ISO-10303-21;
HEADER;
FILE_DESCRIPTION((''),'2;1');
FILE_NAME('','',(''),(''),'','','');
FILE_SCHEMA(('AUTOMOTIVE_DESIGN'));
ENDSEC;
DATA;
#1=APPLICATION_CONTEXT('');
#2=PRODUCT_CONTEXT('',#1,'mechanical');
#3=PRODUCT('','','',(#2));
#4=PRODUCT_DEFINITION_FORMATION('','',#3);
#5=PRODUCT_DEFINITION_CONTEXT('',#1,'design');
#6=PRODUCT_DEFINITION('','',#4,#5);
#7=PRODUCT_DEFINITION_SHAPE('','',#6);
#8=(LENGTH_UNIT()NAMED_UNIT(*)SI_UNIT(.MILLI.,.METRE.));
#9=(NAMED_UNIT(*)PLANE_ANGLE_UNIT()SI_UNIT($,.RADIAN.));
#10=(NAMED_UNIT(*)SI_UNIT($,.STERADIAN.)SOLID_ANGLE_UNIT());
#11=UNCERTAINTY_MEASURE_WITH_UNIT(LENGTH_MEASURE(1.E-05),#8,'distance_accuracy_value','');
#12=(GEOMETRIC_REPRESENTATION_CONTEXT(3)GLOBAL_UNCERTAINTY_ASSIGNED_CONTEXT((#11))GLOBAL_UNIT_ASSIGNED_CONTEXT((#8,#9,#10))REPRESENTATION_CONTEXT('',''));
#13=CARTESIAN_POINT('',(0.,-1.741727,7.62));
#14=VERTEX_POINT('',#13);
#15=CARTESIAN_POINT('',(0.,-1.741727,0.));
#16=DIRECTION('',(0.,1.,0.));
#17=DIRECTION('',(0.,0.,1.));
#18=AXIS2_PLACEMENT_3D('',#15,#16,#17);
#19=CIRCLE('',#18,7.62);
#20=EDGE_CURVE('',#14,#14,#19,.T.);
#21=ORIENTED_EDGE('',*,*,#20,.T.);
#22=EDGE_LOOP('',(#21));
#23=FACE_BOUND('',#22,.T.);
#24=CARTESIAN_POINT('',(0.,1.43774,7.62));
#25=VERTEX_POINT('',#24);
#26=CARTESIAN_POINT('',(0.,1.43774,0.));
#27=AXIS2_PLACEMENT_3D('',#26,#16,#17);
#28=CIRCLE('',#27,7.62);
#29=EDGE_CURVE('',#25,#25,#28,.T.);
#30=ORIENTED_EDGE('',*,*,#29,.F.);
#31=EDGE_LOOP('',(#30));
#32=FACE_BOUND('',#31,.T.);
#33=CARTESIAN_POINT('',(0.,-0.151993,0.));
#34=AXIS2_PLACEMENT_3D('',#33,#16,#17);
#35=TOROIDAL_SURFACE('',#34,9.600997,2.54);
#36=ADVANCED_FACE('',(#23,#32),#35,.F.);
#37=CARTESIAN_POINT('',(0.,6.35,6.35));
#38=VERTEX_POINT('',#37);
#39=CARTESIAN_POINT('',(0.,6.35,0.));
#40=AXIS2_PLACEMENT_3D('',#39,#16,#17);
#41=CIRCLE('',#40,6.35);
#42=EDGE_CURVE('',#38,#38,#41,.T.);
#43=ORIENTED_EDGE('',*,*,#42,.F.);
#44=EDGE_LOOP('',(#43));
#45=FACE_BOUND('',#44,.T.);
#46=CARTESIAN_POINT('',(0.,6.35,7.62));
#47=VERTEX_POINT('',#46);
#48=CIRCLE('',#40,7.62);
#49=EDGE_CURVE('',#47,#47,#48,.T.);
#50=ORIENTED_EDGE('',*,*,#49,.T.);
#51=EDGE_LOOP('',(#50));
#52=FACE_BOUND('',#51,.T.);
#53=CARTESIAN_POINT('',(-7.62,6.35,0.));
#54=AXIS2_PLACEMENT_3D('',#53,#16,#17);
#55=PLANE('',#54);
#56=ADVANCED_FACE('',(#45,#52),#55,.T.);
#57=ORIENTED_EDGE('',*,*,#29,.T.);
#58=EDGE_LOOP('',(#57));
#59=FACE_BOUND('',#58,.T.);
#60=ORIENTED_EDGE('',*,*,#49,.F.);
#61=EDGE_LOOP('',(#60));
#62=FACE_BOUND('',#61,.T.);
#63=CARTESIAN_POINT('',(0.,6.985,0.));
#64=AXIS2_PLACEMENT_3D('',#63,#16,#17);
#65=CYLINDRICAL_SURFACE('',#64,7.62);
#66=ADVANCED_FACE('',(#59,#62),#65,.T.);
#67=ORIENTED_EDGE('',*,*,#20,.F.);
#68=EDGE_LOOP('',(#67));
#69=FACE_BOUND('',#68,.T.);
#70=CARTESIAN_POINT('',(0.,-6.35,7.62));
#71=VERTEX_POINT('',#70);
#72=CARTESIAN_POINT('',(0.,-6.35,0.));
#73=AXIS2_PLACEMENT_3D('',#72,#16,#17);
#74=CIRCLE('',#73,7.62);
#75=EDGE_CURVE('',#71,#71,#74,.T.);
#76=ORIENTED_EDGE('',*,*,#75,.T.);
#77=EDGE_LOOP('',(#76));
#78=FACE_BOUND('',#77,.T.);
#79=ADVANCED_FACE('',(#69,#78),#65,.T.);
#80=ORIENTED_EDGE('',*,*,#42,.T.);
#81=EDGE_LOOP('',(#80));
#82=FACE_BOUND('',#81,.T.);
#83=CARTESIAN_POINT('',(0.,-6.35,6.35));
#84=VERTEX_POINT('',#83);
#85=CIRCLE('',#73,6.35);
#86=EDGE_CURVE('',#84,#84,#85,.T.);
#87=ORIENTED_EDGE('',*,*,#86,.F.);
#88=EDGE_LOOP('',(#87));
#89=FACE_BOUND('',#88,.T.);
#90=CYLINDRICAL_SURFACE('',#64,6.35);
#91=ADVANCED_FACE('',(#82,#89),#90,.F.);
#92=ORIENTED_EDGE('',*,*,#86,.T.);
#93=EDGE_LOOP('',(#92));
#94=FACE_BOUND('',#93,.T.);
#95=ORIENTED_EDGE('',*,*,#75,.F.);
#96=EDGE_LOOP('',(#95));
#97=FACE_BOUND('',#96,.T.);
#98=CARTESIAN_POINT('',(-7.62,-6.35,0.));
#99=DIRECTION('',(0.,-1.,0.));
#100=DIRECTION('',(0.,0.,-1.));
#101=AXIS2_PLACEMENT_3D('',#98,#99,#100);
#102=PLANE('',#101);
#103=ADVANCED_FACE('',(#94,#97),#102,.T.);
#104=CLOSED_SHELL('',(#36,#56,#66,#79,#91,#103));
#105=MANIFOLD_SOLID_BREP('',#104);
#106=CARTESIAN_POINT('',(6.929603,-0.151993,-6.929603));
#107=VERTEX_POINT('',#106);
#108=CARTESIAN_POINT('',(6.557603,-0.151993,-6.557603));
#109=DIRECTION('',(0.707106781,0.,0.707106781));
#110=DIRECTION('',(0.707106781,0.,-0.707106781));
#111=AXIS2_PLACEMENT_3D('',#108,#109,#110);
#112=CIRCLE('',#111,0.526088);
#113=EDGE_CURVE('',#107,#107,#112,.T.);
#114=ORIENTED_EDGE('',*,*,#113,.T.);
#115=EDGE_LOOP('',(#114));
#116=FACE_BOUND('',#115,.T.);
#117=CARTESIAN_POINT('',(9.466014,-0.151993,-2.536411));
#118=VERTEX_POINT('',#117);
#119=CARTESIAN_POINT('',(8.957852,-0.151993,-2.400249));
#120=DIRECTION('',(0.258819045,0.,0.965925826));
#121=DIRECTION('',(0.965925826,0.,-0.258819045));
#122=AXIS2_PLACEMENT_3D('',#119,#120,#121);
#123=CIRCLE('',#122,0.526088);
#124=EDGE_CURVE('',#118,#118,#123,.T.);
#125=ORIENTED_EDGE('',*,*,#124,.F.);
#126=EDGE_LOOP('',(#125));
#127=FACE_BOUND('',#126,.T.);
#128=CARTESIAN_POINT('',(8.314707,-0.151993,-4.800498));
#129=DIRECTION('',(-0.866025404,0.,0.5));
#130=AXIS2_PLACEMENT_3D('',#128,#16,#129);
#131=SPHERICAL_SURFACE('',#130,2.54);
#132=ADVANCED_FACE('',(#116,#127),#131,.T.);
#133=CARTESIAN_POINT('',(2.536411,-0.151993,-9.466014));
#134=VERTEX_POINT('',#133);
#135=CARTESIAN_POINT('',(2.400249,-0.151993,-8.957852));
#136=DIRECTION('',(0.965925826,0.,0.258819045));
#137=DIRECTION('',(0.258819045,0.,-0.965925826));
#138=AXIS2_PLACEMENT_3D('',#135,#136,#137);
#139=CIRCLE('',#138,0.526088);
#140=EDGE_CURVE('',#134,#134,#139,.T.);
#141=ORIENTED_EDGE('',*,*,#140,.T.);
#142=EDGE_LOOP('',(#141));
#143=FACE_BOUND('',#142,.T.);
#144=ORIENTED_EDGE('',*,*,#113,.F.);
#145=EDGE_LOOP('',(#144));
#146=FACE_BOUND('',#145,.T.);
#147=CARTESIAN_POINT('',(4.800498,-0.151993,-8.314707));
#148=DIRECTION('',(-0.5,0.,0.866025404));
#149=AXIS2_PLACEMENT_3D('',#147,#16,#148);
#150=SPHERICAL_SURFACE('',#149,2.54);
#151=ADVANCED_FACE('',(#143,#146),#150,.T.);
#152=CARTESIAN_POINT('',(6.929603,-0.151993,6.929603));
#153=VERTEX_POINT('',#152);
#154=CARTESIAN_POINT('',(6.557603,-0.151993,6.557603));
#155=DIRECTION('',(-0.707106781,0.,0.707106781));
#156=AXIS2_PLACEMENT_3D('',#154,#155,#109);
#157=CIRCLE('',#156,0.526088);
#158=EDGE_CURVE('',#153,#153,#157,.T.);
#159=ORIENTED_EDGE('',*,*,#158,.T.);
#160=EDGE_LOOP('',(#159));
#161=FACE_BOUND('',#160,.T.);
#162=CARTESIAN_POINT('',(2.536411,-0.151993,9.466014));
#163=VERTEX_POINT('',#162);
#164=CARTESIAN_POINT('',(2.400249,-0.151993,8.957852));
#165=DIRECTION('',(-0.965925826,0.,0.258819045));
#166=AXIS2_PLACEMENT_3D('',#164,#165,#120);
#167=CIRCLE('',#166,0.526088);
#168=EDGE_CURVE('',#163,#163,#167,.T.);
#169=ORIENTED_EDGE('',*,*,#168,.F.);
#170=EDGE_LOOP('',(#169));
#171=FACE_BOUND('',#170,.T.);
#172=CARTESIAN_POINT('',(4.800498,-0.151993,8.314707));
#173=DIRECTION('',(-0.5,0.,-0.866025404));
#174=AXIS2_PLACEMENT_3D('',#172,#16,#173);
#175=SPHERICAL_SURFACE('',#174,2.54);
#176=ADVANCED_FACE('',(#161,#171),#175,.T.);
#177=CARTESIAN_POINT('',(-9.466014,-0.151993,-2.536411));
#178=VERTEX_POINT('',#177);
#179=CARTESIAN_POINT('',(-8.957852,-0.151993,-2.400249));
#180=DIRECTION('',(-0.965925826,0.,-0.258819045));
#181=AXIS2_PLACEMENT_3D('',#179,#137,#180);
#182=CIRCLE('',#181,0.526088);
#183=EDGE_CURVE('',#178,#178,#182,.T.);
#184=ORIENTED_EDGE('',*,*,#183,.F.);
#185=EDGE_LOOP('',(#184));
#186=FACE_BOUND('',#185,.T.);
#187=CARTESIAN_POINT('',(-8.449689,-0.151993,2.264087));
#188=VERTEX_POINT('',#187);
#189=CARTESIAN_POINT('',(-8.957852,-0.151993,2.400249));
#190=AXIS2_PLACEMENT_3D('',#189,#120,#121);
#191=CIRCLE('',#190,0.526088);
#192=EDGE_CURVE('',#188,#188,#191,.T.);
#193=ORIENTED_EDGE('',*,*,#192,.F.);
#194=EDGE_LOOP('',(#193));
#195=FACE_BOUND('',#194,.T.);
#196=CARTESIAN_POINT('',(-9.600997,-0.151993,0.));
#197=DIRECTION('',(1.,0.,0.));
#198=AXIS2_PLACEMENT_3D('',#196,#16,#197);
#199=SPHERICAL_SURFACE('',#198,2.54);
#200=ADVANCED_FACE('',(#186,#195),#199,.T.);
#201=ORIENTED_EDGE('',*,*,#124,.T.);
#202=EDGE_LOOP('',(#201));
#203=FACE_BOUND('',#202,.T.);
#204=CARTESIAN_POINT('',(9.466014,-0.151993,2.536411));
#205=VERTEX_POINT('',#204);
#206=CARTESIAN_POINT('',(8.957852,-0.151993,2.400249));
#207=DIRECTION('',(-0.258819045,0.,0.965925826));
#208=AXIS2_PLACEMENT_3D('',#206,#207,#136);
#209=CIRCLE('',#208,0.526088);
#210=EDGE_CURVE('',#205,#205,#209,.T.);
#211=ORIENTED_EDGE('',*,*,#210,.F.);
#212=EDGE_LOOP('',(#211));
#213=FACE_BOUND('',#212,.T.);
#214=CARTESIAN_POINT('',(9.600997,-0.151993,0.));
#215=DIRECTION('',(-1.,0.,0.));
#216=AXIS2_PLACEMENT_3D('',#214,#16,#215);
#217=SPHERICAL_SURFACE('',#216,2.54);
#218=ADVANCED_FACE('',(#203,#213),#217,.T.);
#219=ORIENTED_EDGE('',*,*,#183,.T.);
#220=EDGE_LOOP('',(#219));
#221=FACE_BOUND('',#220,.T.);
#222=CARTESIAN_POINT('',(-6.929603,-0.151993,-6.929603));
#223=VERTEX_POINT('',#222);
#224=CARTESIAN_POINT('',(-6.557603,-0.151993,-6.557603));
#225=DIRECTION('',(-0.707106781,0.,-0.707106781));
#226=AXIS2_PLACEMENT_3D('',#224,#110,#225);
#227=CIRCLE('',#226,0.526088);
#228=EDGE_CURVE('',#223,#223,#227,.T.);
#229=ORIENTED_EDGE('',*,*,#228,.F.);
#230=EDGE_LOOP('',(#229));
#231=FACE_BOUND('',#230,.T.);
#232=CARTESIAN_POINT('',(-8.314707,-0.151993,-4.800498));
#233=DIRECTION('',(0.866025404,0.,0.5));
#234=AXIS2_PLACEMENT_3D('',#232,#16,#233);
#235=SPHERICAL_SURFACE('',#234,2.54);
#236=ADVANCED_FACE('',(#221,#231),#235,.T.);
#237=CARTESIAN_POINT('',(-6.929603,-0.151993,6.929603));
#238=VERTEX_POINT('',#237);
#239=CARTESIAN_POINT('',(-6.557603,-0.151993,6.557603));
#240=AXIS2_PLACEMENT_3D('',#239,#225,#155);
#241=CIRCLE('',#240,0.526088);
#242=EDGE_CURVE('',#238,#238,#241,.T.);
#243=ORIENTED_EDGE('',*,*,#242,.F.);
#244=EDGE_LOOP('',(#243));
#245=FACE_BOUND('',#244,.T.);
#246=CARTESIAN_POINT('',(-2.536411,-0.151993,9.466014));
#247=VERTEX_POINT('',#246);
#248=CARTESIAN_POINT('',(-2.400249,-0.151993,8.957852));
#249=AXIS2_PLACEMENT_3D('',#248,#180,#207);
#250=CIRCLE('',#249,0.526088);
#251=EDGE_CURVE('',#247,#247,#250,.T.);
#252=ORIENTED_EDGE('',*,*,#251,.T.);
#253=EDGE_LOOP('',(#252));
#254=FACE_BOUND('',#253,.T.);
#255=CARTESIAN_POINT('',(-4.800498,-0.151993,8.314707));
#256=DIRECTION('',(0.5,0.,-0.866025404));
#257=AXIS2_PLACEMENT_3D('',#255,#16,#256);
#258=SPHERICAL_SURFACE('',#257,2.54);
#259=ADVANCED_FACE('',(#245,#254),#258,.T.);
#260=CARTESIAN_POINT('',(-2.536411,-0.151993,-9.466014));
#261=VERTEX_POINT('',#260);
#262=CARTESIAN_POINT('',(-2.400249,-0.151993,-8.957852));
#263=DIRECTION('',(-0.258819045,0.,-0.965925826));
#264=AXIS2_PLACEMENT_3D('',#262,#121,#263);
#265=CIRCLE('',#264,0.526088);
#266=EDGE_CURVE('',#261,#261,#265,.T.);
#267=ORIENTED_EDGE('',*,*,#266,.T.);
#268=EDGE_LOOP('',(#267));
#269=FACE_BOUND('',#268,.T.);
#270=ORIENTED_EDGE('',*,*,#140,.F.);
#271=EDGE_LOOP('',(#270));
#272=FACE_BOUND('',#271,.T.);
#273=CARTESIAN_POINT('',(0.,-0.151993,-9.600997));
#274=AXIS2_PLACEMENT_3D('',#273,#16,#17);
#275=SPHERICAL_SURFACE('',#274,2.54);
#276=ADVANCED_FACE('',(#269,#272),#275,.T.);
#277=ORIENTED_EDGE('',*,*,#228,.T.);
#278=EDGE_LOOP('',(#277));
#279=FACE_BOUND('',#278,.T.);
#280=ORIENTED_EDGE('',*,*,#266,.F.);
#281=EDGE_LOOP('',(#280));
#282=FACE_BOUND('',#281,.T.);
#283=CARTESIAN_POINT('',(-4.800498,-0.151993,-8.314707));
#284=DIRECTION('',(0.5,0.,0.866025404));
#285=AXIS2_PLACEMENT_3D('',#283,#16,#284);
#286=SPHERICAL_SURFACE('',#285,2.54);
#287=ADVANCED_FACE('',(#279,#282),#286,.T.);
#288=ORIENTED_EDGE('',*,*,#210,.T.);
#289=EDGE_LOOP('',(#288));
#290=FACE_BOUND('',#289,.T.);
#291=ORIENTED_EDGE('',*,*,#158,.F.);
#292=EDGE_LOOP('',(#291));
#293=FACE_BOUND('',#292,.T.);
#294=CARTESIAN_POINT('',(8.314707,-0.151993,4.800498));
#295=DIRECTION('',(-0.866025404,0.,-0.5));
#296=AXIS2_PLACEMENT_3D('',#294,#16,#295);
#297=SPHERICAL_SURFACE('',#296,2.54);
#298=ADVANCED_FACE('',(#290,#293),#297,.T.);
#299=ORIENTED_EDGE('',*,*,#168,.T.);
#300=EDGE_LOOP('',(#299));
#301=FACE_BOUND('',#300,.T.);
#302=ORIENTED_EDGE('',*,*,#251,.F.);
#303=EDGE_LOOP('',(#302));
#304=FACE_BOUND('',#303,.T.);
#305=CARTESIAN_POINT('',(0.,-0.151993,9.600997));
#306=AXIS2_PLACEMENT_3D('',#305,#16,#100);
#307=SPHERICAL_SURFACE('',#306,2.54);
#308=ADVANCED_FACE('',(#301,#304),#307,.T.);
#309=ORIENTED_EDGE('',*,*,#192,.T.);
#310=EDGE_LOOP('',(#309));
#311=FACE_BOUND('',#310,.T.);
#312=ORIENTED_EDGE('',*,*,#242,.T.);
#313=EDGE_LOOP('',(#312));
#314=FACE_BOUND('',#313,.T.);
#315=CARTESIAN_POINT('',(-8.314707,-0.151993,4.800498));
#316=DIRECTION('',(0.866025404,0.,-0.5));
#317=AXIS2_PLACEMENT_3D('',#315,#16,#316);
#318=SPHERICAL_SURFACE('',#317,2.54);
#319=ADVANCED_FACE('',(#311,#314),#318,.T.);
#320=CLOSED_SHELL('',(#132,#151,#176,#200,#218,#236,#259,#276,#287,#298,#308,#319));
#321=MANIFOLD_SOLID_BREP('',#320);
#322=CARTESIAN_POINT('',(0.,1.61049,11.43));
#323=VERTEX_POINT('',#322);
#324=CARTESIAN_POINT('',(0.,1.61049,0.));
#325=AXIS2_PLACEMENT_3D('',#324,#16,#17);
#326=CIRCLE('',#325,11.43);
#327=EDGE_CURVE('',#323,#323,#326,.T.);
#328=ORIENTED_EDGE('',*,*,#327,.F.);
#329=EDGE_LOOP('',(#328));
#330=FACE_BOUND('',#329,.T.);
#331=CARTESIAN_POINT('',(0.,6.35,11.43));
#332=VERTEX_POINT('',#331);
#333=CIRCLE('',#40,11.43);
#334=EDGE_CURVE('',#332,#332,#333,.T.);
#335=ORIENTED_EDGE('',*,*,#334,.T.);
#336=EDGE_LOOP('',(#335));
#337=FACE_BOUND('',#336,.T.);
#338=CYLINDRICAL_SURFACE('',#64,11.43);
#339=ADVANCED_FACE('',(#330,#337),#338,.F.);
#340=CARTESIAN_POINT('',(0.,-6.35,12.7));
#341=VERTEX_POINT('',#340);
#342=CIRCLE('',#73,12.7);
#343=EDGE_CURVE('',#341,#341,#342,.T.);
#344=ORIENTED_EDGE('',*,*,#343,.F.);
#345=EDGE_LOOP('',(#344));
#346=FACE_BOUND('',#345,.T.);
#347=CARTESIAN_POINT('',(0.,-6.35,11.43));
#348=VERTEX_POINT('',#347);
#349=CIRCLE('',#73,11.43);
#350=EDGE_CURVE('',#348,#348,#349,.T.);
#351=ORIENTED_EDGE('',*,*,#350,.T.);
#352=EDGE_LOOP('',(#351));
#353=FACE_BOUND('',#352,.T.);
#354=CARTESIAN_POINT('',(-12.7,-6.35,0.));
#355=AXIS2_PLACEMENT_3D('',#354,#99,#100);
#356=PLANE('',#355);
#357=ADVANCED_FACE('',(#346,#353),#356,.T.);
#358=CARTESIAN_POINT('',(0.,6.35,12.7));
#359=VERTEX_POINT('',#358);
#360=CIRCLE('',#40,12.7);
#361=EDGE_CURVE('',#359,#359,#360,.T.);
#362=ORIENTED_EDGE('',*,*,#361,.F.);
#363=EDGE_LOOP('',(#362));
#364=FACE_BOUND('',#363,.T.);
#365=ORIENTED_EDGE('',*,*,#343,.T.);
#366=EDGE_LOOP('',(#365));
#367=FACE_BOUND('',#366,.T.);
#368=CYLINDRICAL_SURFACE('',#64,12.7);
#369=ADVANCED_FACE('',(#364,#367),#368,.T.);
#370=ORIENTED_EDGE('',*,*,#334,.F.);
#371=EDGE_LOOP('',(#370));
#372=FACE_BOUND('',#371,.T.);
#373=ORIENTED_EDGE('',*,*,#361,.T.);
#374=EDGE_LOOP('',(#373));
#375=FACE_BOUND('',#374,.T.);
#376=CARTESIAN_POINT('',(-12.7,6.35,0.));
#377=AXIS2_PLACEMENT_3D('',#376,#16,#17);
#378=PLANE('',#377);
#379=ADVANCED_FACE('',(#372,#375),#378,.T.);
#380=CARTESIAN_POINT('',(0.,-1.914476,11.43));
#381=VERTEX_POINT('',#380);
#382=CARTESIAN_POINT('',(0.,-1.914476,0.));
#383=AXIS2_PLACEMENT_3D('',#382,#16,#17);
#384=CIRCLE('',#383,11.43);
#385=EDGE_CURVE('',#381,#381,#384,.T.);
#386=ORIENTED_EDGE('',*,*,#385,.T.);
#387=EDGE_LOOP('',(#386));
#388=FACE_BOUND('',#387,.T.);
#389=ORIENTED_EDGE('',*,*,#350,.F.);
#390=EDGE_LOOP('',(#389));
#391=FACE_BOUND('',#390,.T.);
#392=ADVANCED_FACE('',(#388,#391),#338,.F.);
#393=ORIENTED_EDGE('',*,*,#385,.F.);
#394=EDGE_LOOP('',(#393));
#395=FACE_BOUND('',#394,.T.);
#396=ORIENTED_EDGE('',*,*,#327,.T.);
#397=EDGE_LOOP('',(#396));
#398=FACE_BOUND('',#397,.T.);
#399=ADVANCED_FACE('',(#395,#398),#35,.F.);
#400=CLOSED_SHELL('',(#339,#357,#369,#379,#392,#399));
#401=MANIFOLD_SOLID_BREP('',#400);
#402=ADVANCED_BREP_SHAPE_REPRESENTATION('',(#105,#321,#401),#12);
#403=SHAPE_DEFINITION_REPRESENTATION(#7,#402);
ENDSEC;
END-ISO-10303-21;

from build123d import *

# Parameters (mm, degrees)
CIRPATTERN3_COUNT = 12


with BuildPart() as part:
    # Sketch2 → Revolve1 (revolve)
    with BuildSketch(Plane.XY):
        with BuildLine():
            Line((-9.600996531, 2.388006937), (-9.600996531, -2.691993063))
            ThreePointArc((-9.600996531, -2.691993063), (-7.060996531, -0.151993063), (-9.600996531, 2.388006937))
        make_face()
    revolve1 = revolve(axis=Axis((-9.600996531, 2.388006937, 0), (0, -1, 0)))

    # CirPattern3: Revolve1 ×12 about axis
    cirpattern3_axis = Axis((0, 0, 0), (0, 1, 0))
    for i in range(1, CIRPATTERN3_COUNT):
        add(revolve1.rotate(cirpattern3_axis, i * 360 / CIRPATTERN3_COUNT))


with BuildPart() as body_2:
    # Sketch1 → Revolve2 (revolve)
    with BuildSketch(Plane.XY):
        with BuildLine():
            Line((-7.62, 6.35), (-6.35, 6.35))
            Line((-6.35, 6.35), (-6.35, -6.35))
            Line((-6.35, -6.35), (-7.62, -6.35))
            Line((-7.62, -6.35), (-7.62, -1.741726607))
            ThreePointArc((-7.62, -1.741726607), (-7.060996531, -0.151993063), (-7.62, 1.437740482))
            Line((-7.62, 1.437740482), (-7.62, 6.35))
        make_face()
        with BuildLine():
            Line((-12.7, 6.35), (-11.43, 6.35))
            Line((-11.43, 6.35), (-11.43, 1.610489933))
            ThreePointArc((-11.43, 1.610489933), (-12.140996531, -0.151993063), (-11.43, -1.914476059))
            Line((-11.43, -1.914476059), (-11.43, -6.35))
            Line((-11.43, -6.35), (-12.7, -6.35))
            Line((-12.7, -6.35), (-12.7, 6.35))
        make_face()
    revolve(axis=Axis((0, 6.985, 0), (0, -1, 0)))


solid = Compound([part.part, body_2.part])
